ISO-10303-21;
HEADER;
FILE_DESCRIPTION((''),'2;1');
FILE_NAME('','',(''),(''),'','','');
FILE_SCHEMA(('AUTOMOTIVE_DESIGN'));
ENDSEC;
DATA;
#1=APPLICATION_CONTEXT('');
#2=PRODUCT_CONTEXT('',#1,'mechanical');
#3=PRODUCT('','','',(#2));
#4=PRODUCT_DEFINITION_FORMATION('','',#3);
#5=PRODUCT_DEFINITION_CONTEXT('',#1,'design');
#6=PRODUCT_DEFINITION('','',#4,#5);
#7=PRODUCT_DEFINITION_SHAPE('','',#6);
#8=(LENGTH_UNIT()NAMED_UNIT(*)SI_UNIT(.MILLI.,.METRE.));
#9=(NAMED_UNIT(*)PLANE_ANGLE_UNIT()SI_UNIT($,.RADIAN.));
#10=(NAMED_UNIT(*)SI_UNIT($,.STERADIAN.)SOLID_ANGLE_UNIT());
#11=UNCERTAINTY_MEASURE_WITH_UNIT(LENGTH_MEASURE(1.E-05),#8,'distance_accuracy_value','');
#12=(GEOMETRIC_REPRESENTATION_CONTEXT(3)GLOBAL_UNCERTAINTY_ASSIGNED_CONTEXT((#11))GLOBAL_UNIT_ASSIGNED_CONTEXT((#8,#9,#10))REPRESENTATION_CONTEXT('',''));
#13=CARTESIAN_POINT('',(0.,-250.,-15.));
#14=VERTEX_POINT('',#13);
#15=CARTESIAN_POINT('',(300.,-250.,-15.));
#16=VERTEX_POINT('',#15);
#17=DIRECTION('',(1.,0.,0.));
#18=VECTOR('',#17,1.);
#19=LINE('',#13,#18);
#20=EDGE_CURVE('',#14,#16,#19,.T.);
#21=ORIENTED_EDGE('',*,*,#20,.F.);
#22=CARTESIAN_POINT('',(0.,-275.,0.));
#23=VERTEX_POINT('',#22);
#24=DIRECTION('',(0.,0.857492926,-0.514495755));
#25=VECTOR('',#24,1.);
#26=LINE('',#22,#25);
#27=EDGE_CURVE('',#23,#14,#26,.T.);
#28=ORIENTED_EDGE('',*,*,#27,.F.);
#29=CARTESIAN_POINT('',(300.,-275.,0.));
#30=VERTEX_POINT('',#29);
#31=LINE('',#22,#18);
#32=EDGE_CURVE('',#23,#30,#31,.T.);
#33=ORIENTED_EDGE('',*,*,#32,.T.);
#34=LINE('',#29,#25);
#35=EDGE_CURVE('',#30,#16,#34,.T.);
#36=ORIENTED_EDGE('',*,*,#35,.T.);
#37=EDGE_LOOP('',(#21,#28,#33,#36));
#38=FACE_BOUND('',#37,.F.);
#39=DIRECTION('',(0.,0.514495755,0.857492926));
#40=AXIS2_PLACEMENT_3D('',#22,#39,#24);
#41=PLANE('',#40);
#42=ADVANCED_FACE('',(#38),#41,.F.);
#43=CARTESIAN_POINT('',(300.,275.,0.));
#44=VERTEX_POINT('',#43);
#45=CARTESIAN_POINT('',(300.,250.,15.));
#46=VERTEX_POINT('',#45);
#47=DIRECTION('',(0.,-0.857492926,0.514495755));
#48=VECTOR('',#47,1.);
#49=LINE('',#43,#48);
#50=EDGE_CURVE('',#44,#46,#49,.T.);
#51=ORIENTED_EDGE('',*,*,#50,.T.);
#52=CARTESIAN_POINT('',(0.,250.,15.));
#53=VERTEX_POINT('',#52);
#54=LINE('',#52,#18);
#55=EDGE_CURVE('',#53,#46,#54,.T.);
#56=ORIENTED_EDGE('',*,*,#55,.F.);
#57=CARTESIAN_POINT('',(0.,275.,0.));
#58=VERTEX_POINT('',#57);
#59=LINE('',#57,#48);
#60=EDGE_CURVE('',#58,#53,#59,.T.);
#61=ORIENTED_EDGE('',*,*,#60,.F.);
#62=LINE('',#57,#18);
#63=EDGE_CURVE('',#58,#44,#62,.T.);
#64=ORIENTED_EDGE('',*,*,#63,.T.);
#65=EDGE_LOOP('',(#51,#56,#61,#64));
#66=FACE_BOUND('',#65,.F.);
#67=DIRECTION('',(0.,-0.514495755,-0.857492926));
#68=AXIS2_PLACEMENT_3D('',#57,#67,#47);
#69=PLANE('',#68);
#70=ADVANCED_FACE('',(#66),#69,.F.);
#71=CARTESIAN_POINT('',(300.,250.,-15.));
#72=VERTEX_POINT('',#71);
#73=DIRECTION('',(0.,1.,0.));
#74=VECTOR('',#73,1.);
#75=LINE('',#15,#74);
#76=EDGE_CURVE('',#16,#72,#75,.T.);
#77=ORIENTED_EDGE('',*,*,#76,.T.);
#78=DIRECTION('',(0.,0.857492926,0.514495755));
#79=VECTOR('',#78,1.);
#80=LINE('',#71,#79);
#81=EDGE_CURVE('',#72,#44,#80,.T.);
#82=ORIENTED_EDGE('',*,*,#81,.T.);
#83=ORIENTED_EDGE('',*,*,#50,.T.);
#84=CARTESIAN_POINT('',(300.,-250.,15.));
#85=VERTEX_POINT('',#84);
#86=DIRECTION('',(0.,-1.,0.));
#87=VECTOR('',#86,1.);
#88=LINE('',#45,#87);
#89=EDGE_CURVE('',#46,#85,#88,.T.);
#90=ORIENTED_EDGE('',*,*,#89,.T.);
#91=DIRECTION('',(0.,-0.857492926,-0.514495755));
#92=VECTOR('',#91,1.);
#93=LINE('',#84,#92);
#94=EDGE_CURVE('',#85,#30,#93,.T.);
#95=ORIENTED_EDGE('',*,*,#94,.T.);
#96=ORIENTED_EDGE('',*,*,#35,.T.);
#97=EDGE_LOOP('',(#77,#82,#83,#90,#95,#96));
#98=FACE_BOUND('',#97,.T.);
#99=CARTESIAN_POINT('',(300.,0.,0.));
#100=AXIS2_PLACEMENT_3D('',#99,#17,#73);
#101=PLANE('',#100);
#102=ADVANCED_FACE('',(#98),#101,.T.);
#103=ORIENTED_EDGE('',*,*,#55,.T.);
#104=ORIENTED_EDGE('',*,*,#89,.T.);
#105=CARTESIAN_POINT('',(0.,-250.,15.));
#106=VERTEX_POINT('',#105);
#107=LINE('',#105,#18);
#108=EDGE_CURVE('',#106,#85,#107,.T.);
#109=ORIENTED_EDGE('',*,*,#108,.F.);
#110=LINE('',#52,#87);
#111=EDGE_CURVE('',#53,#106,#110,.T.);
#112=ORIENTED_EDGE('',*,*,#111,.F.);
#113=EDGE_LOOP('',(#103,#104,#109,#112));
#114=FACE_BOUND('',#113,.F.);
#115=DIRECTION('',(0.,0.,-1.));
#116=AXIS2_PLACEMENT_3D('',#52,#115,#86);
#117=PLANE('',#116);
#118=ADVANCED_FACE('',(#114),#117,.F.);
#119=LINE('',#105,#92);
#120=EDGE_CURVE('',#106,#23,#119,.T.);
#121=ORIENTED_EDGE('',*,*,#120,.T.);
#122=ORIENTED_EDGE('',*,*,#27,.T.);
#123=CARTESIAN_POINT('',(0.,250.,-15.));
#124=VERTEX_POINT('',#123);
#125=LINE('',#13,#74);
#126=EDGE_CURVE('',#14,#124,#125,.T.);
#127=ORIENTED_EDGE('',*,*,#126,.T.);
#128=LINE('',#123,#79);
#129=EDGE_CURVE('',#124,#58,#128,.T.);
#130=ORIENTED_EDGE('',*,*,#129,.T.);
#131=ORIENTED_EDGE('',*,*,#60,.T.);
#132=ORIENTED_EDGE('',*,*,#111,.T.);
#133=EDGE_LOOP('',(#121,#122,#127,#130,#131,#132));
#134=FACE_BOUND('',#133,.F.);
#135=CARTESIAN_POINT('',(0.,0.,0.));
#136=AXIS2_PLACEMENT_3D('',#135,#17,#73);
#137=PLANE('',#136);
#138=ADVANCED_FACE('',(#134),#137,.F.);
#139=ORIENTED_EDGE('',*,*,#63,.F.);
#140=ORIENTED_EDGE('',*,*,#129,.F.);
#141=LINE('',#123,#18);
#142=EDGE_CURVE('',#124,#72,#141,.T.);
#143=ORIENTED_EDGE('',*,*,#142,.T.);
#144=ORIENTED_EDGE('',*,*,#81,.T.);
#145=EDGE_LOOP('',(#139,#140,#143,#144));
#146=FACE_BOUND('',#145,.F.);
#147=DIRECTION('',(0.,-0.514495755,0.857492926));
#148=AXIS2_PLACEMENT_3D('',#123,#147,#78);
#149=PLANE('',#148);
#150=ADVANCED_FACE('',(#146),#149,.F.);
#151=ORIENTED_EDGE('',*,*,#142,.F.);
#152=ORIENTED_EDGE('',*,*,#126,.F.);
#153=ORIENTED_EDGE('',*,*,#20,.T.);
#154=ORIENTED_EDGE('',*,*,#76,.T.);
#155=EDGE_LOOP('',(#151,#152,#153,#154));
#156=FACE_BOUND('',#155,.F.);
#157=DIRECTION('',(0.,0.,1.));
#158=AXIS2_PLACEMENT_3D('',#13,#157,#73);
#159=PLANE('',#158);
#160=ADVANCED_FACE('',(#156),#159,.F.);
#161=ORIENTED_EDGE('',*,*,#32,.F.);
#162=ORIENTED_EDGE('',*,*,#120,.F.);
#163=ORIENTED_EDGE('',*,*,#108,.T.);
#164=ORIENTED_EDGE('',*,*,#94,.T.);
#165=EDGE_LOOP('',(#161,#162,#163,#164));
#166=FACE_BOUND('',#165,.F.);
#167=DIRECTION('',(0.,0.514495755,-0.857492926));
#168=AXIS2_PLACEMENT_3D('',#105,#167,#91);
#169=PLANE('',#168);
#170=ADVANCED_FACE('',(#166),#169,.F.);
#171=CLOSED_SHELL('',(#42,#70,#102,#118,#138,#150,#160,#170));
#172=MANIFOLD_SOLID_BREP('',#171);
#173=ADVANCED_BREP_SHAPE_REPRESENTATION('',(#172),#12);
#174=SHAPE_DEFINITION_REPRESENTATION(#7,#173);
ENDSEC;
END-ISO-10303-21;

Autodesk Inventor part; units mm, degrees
ref_plane "YZ Plane" through (0, 0, 0) normal (1, 0, 0) x (0, 1, 0)
ref_plane "XZ Plane" through (0, 0, 0) normal (0, 1, 0) x (-1, 0, 0)
ref_plane "XY Plane" through (0, 0, 0) normal (0, 0, 1) x (1, 0, 0)
sketch "草图1" plane through (0, 0, 0) normal (1, 0, 0) x (0, 1, 0)
  point P0 (0, 0)
sketch "草图6" plane through (0, 0, 0) normal (1, 0, 0) x (0, 1, 0)
  line L0 (275, 0) -> (250, 15)
  line L1 (250, 15) -> (-250, 15)
  line L2 (-250, 15) -> (-275, 0)
  line L3 (-275, 0) -> (-250, -15)
  line L4 (-250, -15) -> (250, -15)
  line L5 (250, -15) -> (275, 0)
  point P0 (0, 0)
extrude "拉伸3" add sketch "草图6" along normal blind 300
properties part number "雪弗板"
